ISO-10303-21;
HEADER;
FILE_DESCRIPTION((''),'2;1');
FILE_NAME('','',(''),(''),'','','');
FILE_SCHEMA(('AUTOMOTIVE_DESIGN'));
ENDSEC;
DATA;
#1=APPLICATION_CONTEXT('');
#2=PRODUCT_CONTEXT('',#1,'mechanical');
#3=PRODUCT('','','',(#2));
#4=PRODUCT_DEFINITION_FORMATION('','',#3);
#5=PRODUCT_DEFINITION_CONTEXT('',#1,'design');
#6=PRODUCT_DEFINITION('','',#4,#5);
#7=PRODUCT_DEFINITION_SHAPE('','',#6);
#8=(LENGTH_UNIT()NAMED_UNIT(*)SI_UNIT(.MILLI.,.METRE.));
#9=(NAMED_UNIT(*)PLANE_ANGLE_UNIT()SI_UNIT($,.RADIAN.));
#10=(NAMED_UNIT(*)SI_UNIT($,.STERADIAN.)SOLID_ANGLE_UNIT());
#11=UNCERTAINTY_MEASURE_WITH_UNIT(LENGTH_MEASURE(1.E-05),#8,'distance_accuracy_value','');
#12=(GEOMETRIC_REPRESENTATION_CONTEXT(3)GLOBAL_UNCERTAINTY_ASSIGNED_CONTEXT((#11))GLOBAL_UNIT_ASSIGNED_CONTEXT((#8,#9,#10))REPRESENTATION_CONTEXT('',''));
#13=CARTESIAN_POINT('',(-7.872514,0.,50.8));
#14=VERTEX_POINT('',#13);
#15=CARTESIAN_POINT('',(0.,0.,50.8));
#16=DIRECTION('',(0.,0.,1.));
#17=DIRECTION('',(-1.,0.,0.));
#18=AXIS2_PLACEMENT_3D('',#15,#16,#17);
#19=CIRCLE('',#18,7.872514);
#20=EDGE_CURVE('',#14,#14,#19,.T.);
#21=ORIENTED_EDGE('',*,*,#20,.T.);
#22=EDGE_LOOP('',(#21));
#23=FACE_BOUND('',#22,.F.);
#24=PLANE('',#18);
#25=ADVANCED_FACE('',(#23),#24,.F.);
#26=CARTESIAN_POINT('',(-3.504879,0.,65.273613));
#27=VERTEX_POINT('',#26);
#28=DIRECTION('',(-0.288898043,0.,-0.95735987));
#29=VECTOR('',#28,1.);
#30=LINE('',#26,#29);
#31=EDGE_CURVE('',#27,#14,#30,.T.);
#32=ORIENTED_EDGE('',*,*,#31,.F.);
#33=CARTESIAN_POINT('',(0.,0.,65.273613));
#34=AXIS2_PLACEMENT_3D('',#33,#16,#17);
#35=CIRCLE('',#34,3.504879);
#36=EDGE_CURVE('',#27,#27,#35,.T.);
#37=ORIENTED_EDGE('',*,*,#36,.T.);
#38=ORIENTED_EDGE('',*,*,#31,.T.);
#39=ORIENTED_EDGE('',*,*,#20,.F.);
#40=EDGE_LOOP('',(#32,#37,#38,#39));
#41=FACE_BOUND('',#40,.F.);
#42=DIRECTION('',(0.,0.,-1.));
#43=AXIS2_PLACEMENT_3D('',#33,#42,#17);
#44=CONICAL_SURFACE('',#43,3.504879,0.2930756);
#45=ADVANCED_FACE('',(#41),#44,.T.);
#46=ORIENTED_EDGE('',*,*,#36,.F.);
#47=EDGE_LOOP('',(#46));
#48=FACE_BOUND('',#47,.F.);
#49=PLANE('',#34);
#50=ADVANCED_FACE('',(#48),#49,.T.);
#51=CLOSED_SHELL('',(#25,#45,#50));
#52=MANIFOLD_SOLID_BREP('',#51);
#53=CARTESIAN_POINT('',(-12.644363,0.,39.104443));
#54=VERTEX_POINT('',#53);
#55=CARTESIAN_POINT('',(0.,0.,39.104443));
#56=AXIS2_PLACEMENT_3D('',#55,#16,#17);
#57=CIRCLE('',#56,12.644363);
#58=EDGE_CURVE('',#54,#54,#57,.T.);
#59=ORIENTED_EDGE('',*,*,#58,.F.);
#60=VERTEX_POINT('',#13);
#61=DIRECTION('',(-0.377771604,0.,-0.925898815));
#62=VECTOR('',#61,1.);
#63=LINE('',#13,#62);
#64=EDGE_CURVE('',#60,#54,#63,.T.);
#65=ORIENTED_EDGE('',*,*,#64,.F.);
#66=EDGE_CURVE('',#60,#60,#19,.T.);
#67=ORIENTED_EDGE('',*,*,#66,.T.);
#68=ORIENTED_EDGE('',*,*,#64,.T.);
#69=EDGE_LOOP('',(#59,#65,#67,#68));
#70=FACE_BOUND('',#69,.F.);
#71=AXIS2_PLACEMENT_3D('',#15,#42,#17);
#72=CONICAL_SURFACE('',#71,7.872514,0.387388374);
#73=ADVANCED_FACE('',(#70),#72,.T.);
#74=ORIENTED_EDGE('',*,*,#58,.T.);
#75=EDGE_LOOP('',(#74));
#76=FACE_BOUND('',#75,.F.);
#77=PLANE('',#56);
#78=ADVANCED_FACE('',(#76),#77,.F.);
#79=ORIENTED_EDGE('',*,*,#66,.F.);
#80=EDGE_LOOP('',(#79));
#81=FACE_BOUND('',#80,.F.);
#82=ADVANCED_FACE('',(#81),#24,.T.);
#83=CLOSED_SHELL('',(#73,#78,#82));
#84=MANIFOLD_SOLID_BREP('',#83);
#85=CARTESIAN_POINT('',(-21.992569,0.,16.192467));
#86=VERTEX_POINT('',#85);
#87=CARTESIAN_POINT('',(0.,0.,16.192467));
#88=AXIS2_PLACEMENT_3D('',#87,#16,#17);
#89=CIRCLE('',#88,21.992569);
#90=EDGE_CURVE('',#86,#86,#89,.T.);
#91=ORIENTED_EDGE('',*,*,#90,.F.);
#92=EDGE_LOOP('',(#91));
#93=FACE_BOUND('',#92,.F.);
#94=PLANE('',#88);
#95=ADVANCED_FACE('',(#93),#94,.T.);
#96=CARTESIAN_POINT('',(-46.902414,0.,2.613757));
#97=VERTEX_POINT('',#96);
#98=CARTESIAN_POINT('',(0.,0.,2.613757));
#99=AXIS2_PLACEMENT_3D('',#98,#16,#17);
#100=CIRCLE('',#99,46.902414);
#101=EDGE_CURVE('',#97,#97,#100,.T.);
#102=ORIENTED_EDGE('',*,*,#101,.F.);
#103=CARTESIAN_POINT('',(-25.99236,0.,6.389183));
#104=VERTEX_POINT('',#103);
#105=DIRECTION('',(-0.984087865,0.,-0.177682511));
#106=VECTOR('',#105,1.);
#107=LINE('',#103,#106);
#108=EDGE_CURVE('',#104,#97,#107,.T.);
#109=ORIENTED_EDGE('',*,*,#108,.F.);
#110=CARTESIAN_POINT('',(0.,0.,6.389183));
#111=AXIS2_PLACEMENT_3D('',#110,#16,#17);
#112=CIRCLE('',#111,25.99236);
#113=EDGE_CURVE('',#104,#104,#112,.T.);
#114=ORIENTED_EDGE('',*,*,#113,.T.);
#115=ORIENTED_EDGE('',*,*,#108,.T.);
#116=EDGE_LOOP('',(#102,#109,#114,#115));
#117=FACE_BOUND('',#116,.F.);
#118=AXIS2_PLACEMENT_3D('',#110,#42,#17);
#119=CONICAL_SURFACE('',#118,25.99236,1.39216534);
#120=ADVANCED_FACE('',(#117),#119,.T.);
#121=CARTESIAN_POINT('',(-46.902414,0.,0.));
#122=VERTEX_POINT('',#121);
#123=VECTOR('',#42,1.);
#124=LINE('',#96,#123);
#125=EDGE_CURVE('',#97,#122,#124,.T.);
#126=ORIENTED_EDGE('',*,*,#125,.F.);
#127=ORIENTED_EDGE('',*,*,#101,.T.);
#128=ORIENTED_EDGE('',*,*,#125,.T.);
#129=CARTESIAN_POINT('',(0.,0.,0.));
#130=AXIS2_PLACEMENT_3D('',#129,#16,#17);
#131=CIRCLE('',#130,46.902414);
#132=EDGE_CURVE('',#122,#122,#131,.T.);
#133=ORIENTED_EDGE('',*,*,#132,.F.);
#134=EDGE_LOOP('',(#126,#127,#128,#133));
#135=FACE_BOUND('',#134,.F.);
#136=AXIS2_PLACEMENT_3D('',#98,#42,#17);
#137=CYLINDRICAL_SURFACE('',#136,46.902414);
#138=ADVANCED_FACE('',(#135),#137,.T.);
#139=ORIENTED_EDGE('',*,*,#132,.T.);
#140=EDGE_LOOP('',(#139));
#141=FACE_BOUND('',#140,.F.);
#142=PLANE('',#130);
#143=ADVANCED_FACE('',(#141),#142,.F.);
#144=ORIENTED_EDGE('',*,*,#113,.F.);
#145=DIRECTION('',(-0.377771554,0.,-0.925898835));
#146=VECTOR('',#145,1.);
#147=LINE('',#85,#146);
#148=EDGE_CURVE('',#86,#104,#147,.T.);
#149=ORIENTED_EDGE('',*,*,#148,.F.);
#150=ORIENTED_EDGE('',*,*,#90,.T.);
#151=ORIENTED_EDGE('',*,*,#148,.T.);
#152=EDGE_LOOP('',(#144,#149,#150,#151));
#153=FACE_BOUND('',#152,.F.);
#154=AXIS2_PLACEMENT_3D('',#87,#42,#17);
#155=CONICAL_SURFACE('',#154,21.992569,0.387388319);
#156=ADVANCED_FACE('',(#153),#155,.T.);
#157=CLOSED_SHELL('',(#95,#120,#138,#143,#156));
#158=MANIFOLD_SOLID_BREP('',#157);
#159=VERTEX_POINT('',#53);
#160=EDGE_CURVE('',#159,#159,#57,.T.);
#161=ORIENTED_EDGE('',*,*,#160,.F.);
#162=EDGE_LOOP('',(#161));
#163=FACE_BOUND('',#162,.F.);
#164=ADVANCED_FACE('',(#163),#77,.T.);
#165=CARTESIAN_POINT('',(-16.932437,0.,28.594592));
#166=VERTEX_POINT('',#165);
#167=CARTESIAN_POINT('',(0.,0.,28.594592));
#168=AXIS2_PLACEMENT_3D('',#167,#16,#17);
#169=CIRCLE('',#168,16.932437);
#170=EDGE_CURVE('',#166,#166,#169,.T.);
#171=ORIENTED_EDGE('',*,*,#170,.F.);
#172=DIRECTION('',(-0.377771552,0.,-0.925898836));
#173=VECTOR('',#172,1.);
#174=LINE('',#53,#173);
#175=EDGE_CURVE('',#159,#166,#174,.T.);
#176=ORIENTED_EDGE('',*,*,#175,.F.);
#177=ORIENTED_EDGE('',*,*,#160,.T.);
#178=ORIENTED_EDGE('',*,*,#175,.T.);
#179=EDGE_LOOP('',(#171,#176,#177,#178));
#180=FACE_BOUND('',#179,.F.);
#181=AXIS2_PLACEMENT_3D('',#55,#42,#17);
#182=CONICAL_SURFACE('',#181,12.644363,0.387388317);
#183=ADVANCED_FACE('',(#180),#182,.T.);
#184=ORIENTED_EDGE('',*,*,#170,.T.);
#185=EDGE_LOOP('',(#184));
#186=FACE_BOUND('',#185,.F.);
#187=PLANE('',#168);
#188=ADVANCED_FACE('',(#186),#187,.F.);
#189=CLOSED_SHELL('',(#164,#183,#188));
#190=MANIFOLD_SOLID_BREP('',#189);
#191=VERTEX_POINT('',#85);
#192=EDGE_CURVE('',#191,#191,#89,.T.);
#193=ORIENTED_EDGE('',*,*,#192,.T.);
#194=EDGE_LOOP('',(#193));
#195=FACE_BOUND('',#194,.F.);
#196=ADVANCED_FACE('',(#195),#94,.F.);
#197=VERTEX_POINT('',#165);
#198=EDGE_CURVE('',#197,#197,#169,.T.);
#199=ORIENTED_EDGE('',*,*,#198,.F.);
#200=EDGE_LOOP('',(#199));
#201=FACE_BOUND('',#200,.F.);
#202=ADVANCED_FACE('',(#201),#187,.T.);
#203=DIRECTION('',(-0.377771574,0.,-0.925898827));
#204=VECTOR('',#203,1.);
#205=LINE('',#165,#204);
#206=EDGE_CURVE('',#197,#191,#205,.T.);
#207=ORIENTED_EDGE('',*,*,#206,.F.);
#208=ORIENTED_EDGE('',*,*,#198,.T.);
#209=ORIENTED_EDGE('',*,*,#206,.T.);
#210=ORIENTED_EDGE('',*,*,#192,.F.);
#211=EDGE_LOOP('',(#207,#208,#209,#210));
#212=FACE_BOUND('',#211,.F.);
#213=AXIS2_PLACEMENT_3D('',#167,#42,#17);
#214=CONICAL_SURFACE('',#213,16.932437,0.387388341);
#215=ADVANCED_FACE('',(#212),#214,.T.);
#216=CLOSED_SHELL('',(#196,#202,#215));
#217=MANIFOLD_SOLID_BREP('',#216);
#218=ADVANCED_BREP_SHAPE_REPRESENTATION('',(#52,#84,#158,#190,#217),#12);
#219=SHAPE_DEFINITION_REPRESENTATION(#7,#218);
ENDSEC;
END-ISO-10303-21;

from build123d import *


with BuildPart() as f1:
    # F0 (on Front) → F1 (revolve)
    with BuildSketch(Plane.XZ):
        Polygon((-12.644363, 39.104443), (0, 39.104443), (0, 50.8), (-7.872514, 50.8), align=None)
    revolve(axis=Axis((0, 0, 25.4), (0, 0, 1)))


with BuildPart() as f2:
    # F0 (on Front) → F2 (revolve)
    with BuildSketch(Plane.XZ):
        Polygon((-16.932437, 28.594592), (0, 28.594592), (0, 39.104443), (-12.644363, 39.104443), align=None)
    revolve(axis=Axis((0, 0, 25.4), (0, 0, 1)))


with BuildPart() as f3:
    # F0 (on Front) → F3 (revolve)
    with BuildSketch(Plane.XZ):
        Polygon((-21.992569, 16.192467), (0, 16.192467), (0, 28.594592), (-16.932437, 28.594592), align=None)
    revolve(axis=Axis((0, 0, 25.4), (0, 0, 1)))


with BuildPart() as f4:
    # F0 (on Front) → F4 (revolve)
    with BuildSketch(Plane.XZ):
        Polygon((-46.902414, 0), (0, 0), (0, 16.192467), (-21.992569, 16.192467), (-25.99236, 6.389183), (-46.902414, 2.613757), align=None)
    revolve(axis=Axis((0, 0, 25.4), (0, 0, 1)))


with BuildPart() as f5:
    # F0 (on Front) → F5 (revolve)
    with BuildSketch(Plane.XZ):
        Polygon((-7.872514, 50.8), (0, 50.8), (0, 59.367437), (0, 65.273613), (-3.504879, 65.273613), align=None)
    revolve(axis=Axis((0, 0, 58.036806), (0, 0, 1)))


solid = Compound([f1.part, f2.part, f3.part, f4.part, f5.part])
